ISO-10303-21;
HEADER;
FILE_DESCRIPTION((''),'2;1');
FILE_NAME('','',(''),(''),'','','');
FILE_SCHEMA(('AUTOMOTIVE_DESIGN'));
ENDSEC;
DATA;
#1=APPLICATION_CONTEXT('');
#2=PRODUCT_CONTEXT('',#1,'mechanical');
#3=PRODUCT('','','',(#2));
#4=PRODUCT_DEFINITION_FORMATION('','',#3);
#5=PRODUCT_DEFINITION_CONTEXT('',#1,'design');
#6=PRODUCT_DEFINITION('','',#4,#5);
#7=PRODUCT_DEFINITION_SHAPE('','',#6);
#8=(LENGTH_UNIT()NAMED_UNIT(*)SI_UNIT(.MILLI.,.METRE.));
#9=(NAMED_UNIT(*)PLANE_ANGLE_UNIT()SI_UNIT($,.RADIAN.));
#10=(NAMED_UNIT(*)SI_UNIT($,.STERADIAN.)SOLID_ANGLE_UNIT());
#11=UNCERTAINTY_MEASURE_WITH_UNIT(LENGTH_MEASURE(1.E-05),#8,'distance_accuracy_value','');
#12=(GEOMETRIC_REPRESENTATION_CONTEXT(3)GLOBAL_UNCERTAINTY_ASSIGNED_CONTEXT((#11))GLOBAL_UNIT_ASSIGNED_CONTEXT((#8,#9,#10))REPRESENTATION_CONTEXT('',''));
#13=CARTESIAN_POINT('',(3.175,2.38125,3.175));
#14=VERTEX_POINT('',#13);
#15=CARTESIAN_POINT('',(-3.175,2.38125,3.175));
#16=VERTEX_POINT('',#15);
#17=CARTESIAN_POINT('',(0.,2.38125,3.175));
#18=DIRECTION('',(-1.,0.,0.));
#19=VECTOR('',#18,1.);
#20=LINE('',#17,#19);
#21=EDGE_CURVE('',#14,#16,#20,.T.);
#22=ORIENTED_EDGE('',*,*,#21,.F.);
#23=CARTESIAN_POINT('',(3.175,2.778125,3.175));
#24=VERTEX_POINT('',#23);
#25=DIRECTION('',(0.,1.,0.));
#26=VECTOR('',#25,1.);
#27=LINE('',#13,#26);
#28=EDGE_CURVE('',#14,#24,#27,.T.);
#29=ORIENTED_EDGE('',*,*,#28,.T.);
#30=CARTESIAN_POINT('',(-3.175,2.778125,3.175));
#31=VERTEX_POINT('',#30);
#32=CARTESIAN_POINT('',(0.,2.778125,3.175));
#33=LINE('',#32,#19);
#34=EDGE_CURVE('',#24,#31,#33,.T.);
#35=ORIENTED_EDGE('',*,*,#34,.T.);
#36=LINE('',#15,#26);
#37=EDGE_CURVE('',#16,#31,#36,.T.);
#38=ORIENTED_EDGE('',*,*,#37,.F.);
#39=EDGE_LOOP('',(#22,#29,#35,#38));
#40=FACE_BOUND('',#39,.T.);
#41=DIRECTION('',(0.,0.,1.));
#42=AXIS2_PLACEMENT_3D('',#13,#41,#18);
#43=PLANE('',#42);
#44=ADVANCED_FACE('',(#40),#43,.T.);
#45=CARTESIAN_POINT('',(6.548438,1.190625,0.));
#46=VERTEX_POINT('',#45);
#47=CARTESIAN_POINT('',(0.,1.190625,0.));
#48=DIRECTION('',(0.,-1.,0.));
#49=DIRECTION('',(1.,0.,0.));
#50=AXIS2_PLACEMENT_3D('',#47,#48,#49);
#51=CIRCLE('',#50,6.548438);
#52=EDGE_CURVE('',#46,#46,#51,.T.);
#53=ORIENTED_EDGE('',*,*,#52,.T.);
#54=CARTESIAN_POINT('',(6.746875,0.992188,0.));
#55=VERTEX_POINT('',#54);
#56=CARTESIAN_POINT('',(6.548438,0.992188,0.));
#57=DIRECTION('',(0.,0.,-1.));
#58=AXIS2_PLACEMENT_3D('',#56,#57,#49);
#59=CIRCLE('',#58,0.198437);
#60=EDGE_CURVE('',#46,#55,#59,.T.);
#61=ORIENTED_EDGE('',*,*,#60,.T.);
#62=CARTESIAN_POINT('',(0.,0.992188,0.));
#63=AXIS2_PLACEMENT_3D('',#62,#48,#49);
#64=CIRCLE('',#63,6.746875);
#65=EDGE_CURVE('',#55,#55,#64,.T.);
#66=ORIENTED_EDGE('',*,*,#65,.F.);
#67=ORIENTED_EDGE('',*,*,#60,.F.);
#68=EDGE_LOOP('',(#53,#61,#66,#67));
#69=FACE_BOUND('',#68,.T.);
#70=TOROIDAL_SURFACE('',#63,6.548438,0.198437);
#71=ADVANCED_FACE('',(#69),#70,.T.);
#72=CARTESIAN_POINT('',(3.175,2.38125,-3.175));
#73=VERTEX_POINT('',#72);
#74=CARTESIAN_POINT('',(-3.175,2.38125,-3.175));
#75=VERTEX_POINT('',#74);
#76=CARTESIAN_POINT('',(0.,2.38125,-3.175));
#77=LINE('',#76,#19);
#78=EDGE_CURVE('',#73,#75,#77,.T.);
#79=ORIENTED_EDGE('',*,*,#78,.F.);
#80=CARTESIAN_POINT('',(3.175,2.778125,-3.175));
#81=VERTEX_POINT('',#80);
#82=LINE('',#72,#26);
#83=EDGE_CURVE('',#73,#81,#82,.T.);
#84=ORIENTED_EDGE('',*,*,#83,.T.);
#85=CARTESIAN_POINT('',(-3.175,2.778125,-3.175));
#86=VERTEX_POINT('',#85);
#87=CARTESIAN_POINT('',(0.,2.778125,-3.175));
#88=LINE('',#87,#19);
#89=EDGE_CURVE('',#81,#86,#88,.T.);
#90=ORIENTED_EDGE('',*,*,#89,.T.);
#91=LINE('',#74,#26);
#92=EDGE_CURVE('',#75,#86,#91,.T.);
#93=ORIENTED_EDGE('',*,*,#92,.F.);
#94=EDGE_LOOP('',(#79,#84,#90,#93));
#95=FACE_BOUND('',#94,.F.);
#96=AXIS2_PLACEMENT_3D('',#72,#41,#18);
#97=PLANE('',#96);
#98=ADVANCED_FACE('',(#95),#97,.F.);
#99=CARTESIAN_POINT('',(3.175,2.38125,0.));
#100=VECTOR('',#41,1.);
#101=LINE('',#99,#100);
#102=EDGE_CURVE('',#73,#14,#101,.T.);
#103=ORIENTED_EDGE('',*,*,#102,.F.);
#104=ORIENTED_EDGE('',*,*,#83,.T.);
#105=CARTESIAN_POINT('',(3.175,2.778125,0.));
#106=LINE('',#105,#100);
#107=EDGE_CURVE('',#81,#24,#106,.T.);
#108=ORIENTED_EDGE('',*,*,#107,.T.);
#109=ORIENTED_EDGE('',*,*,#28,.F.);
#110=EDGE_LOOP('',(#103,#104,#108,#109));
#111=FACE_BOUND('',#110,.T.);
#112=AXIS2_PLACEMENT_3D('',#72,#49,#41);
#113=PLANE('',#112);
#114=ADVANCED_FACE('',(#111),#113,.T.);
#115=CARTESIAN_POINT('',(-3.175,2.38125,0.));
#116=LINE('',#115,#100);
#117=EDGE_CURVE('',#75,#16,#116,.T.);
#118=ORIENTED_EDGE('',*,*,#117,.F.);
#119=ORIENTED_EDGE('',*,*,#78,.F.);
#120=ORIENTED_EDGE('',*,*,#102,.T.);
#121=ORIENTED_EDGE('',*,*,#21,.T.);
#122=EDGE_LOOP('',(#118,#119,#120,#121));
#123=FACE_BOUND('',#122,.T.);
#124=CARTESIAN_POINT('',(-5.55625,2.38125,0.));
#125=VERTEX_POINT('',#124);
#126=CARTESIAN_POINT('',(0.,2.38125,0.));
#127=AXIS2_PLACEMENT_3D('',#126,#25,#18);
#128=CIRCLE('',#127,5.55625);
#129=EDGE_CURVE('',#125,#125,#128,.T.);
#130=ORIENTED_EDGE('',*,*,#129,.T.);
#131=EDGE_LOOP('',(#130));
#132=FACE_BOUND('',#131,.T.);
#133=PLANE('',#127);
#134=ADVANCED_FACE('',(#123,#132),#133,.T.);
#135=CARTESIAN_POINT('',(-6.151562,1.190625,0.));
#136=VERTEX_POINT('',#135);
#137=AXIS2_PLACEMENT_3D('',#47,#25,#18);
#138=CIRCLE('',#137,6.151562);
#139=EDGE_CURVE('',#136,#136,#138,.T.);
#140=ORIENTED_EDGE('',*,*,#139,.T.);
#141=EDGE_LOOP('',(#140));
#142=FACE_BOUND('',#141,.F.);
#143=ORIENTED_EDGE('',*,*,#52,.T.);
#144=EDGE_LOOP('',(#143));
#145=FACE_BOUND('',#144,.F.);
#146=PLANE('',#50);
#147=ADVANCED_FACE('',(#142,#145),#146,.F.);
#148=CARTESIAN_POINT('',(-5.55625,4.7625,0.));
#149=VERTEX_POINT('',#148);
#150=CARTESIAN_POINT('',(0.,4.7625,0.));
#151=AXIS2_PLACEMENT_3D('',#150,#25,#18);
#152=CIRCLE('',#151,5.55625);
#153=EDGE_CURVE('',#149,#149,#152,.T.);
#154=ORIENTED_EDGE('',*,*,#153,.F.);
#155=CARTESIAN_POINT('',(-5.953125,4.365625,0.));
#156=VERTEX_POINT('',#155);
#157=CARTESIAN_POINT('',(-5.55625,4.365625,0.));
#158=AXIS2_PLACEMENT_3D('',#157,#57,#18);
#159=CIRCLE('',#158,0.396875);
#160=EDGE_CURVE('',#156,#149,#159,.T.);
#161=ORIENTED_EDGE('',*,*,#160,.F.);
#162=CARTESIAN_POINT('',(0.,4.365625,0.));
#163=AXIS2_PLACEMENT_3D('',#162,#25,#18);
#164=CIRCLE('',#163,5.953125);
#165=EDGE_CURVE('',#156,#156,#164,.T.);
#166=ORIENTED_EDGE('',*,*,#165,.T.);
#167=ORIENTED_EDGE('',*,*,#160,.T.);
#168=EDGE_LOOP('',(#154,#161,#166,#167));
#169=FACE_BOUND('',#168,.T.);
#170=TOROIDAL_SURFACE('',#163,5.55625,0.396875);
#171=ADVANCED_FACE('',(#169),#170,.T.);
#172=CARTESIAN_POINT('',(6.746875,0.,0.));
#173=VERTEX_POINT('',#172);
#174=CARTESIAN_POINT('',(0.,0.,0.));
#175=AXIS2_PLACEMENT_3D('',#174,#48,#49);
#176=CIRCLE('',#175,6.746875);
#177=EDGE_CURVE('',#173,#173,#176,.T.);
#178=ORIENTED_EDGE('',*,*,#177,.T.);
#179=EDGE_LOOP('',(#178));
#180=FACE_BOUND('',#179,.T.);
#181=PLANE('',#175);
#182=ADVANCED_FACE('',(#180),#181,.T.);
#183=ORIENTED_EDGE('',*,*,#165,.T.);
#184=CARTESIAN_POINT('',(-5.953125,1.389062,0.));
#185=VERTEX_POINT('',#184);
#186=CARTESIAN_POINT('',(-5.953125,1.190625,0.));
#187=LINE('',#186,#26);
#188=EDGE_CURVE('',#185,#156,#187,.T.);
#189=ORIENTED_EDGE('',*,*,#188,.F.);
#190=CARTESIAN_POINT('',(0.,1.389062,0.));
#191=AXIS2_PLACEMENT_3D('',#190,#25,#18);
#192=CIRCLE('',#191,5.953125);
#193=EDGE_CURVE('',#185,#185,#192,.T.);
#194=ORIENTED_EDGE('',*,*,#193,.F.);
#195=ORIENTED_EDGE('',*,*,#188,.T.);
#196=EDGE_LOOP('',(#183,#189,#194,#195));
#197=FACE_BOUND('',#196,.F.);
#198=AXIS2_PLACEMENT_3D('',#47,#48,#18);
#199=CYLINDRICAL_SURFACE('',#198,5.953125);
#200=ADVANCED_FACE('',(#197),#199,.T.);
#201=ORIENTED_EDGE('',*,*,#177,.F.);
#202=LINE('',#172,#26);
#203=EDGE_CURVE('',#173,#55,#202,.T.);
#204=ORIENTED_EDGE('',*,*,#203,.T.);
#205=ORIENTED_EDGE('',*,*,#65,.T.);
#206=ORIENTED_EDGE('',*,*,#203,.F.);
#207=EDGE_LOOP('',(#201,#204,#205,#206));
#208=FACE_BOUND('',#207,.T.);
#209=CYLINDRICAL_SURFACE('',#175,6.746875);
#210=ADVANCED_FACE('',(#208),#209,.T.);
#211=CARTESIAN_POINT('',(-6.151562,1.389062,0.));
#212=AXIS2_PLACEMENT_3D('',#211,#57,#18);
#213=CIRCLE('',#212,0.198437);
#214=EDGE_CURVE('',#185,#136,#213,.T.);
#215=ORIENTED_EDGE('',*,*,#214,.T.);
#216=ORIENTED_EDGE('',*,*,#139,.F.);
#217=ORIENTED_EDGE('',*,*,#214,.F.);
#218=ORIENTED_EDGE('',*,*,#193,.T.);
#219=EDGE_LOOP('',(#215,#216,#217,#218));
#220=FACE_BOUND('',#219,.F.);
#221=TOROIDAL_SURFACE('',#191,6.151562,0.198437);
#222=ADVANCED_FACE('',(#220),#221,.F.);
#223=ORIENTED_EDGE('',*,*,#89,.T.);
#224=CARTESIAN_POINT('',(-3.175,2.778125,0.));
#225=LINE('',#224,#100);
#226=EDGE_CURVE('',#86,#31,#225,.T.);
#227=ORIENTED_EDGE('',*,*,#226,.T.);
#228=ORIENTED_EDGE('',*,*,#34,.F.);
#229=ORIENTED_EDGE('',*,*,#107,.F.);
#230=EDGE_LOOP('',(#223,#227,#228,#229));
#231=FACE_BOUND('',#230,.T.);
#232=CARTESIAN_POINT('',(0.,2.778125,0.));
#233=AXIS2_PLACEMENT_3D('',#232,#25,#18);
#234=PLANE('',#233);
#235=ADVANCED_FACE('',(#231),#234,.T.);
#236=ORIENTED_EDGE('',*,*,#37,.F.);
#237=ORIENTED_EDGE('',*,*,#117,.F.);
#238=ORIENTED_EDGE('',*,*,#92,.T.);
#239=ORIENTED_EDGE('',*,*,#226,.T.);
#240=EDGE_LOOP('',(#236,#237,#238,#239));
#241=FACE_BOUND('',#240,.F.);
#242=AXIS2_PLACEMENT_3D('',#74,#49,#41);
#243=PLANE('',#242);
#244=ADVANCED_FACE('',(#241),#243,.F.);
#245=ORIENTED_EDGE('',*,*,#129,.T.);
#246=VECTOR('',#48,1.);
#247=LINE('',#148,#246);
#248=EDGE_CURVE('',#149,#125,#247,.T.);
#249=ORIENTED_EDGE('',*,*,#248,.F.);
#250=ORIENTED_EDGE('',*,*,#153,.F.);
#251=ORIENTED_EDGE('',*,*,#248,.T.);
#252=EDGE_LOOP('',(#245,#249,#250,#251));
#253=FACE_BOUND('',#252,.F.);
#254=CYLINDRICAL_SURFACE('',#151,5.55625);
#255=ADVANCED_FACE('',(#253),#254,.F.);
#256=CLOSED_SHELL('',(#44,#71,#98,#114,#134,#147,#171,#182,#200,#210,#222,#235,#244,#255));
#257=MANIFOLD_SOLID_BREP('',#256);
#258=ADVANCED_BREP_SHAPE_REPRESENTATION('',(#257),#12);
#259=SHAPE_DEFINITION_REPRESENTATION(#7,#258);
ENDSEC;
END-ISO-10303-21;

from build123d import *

# Parameters (mm, degrees)
F0_R     = 6.746875
F1_DEPTH = 1.190625
F2_R     = 5.953125
F3_DEPTH = 3.571875
F4_R     = 0.396875
F5_R     = 0.198437
F6_R     = 5.55625
F7_DEPTH = 2.38125
F8_W     = 6.35
F8_H     = 6.35
F9_DEPTH = 0.396875


with BuildPart() as f1:
    # F0 (on Front) → F1 (new body)
    with BuildSketch(Plane.XZ):
        Circle(F0_R)
    extrude(amount=-F1_DEPTH)

    # F2 (on face) → F3 (join)
    with BuildSketch(Plane(origin=(0, 1.190625, 0), x_dir=(-1, 0, 0), z_dir=(0, 1, 0))):
        Circle(F2_R)
    extrude(amount=F3_DEPTH)

    # F4
    f4_edges = [f1.edges().sort_by_distance(p)[0] for p in [
        (5.953125, 4.7625, 0),
    ]]
    fillet(f4_edges, radius=F4_R)

    # F5
    f5_edges = [f1.edges().sort_by_distance(p)[0] for p in [
        (5.953125, 1.190625, 0),
        (-6.746875, 1.190625, 0),
    ]]
    fillet(f5_edges, radius=F5_R)

    # F6 (on face) → F7 (cut)
    with BuildSketch(Plane(origin=(0, 4.7625, 0), x_dir=(-1, 0, 0), z_dir=(0, 1, 0))):
        Circle(F6_R)
    extrude(amount=-F7_DEPTH, mode=Mode.SUBTRACT)

    # F8 (on face) → F9 (join)
    with BuildSketch(Plane(origin=(0, 2.38125, 0), x_dir=(-1, 0, 0), z_dir=(0, 1, 0))):
        Rectangle(F8_W, F8_H)
    extrude(amount=F9_DEPTH)


solid = f1.part
